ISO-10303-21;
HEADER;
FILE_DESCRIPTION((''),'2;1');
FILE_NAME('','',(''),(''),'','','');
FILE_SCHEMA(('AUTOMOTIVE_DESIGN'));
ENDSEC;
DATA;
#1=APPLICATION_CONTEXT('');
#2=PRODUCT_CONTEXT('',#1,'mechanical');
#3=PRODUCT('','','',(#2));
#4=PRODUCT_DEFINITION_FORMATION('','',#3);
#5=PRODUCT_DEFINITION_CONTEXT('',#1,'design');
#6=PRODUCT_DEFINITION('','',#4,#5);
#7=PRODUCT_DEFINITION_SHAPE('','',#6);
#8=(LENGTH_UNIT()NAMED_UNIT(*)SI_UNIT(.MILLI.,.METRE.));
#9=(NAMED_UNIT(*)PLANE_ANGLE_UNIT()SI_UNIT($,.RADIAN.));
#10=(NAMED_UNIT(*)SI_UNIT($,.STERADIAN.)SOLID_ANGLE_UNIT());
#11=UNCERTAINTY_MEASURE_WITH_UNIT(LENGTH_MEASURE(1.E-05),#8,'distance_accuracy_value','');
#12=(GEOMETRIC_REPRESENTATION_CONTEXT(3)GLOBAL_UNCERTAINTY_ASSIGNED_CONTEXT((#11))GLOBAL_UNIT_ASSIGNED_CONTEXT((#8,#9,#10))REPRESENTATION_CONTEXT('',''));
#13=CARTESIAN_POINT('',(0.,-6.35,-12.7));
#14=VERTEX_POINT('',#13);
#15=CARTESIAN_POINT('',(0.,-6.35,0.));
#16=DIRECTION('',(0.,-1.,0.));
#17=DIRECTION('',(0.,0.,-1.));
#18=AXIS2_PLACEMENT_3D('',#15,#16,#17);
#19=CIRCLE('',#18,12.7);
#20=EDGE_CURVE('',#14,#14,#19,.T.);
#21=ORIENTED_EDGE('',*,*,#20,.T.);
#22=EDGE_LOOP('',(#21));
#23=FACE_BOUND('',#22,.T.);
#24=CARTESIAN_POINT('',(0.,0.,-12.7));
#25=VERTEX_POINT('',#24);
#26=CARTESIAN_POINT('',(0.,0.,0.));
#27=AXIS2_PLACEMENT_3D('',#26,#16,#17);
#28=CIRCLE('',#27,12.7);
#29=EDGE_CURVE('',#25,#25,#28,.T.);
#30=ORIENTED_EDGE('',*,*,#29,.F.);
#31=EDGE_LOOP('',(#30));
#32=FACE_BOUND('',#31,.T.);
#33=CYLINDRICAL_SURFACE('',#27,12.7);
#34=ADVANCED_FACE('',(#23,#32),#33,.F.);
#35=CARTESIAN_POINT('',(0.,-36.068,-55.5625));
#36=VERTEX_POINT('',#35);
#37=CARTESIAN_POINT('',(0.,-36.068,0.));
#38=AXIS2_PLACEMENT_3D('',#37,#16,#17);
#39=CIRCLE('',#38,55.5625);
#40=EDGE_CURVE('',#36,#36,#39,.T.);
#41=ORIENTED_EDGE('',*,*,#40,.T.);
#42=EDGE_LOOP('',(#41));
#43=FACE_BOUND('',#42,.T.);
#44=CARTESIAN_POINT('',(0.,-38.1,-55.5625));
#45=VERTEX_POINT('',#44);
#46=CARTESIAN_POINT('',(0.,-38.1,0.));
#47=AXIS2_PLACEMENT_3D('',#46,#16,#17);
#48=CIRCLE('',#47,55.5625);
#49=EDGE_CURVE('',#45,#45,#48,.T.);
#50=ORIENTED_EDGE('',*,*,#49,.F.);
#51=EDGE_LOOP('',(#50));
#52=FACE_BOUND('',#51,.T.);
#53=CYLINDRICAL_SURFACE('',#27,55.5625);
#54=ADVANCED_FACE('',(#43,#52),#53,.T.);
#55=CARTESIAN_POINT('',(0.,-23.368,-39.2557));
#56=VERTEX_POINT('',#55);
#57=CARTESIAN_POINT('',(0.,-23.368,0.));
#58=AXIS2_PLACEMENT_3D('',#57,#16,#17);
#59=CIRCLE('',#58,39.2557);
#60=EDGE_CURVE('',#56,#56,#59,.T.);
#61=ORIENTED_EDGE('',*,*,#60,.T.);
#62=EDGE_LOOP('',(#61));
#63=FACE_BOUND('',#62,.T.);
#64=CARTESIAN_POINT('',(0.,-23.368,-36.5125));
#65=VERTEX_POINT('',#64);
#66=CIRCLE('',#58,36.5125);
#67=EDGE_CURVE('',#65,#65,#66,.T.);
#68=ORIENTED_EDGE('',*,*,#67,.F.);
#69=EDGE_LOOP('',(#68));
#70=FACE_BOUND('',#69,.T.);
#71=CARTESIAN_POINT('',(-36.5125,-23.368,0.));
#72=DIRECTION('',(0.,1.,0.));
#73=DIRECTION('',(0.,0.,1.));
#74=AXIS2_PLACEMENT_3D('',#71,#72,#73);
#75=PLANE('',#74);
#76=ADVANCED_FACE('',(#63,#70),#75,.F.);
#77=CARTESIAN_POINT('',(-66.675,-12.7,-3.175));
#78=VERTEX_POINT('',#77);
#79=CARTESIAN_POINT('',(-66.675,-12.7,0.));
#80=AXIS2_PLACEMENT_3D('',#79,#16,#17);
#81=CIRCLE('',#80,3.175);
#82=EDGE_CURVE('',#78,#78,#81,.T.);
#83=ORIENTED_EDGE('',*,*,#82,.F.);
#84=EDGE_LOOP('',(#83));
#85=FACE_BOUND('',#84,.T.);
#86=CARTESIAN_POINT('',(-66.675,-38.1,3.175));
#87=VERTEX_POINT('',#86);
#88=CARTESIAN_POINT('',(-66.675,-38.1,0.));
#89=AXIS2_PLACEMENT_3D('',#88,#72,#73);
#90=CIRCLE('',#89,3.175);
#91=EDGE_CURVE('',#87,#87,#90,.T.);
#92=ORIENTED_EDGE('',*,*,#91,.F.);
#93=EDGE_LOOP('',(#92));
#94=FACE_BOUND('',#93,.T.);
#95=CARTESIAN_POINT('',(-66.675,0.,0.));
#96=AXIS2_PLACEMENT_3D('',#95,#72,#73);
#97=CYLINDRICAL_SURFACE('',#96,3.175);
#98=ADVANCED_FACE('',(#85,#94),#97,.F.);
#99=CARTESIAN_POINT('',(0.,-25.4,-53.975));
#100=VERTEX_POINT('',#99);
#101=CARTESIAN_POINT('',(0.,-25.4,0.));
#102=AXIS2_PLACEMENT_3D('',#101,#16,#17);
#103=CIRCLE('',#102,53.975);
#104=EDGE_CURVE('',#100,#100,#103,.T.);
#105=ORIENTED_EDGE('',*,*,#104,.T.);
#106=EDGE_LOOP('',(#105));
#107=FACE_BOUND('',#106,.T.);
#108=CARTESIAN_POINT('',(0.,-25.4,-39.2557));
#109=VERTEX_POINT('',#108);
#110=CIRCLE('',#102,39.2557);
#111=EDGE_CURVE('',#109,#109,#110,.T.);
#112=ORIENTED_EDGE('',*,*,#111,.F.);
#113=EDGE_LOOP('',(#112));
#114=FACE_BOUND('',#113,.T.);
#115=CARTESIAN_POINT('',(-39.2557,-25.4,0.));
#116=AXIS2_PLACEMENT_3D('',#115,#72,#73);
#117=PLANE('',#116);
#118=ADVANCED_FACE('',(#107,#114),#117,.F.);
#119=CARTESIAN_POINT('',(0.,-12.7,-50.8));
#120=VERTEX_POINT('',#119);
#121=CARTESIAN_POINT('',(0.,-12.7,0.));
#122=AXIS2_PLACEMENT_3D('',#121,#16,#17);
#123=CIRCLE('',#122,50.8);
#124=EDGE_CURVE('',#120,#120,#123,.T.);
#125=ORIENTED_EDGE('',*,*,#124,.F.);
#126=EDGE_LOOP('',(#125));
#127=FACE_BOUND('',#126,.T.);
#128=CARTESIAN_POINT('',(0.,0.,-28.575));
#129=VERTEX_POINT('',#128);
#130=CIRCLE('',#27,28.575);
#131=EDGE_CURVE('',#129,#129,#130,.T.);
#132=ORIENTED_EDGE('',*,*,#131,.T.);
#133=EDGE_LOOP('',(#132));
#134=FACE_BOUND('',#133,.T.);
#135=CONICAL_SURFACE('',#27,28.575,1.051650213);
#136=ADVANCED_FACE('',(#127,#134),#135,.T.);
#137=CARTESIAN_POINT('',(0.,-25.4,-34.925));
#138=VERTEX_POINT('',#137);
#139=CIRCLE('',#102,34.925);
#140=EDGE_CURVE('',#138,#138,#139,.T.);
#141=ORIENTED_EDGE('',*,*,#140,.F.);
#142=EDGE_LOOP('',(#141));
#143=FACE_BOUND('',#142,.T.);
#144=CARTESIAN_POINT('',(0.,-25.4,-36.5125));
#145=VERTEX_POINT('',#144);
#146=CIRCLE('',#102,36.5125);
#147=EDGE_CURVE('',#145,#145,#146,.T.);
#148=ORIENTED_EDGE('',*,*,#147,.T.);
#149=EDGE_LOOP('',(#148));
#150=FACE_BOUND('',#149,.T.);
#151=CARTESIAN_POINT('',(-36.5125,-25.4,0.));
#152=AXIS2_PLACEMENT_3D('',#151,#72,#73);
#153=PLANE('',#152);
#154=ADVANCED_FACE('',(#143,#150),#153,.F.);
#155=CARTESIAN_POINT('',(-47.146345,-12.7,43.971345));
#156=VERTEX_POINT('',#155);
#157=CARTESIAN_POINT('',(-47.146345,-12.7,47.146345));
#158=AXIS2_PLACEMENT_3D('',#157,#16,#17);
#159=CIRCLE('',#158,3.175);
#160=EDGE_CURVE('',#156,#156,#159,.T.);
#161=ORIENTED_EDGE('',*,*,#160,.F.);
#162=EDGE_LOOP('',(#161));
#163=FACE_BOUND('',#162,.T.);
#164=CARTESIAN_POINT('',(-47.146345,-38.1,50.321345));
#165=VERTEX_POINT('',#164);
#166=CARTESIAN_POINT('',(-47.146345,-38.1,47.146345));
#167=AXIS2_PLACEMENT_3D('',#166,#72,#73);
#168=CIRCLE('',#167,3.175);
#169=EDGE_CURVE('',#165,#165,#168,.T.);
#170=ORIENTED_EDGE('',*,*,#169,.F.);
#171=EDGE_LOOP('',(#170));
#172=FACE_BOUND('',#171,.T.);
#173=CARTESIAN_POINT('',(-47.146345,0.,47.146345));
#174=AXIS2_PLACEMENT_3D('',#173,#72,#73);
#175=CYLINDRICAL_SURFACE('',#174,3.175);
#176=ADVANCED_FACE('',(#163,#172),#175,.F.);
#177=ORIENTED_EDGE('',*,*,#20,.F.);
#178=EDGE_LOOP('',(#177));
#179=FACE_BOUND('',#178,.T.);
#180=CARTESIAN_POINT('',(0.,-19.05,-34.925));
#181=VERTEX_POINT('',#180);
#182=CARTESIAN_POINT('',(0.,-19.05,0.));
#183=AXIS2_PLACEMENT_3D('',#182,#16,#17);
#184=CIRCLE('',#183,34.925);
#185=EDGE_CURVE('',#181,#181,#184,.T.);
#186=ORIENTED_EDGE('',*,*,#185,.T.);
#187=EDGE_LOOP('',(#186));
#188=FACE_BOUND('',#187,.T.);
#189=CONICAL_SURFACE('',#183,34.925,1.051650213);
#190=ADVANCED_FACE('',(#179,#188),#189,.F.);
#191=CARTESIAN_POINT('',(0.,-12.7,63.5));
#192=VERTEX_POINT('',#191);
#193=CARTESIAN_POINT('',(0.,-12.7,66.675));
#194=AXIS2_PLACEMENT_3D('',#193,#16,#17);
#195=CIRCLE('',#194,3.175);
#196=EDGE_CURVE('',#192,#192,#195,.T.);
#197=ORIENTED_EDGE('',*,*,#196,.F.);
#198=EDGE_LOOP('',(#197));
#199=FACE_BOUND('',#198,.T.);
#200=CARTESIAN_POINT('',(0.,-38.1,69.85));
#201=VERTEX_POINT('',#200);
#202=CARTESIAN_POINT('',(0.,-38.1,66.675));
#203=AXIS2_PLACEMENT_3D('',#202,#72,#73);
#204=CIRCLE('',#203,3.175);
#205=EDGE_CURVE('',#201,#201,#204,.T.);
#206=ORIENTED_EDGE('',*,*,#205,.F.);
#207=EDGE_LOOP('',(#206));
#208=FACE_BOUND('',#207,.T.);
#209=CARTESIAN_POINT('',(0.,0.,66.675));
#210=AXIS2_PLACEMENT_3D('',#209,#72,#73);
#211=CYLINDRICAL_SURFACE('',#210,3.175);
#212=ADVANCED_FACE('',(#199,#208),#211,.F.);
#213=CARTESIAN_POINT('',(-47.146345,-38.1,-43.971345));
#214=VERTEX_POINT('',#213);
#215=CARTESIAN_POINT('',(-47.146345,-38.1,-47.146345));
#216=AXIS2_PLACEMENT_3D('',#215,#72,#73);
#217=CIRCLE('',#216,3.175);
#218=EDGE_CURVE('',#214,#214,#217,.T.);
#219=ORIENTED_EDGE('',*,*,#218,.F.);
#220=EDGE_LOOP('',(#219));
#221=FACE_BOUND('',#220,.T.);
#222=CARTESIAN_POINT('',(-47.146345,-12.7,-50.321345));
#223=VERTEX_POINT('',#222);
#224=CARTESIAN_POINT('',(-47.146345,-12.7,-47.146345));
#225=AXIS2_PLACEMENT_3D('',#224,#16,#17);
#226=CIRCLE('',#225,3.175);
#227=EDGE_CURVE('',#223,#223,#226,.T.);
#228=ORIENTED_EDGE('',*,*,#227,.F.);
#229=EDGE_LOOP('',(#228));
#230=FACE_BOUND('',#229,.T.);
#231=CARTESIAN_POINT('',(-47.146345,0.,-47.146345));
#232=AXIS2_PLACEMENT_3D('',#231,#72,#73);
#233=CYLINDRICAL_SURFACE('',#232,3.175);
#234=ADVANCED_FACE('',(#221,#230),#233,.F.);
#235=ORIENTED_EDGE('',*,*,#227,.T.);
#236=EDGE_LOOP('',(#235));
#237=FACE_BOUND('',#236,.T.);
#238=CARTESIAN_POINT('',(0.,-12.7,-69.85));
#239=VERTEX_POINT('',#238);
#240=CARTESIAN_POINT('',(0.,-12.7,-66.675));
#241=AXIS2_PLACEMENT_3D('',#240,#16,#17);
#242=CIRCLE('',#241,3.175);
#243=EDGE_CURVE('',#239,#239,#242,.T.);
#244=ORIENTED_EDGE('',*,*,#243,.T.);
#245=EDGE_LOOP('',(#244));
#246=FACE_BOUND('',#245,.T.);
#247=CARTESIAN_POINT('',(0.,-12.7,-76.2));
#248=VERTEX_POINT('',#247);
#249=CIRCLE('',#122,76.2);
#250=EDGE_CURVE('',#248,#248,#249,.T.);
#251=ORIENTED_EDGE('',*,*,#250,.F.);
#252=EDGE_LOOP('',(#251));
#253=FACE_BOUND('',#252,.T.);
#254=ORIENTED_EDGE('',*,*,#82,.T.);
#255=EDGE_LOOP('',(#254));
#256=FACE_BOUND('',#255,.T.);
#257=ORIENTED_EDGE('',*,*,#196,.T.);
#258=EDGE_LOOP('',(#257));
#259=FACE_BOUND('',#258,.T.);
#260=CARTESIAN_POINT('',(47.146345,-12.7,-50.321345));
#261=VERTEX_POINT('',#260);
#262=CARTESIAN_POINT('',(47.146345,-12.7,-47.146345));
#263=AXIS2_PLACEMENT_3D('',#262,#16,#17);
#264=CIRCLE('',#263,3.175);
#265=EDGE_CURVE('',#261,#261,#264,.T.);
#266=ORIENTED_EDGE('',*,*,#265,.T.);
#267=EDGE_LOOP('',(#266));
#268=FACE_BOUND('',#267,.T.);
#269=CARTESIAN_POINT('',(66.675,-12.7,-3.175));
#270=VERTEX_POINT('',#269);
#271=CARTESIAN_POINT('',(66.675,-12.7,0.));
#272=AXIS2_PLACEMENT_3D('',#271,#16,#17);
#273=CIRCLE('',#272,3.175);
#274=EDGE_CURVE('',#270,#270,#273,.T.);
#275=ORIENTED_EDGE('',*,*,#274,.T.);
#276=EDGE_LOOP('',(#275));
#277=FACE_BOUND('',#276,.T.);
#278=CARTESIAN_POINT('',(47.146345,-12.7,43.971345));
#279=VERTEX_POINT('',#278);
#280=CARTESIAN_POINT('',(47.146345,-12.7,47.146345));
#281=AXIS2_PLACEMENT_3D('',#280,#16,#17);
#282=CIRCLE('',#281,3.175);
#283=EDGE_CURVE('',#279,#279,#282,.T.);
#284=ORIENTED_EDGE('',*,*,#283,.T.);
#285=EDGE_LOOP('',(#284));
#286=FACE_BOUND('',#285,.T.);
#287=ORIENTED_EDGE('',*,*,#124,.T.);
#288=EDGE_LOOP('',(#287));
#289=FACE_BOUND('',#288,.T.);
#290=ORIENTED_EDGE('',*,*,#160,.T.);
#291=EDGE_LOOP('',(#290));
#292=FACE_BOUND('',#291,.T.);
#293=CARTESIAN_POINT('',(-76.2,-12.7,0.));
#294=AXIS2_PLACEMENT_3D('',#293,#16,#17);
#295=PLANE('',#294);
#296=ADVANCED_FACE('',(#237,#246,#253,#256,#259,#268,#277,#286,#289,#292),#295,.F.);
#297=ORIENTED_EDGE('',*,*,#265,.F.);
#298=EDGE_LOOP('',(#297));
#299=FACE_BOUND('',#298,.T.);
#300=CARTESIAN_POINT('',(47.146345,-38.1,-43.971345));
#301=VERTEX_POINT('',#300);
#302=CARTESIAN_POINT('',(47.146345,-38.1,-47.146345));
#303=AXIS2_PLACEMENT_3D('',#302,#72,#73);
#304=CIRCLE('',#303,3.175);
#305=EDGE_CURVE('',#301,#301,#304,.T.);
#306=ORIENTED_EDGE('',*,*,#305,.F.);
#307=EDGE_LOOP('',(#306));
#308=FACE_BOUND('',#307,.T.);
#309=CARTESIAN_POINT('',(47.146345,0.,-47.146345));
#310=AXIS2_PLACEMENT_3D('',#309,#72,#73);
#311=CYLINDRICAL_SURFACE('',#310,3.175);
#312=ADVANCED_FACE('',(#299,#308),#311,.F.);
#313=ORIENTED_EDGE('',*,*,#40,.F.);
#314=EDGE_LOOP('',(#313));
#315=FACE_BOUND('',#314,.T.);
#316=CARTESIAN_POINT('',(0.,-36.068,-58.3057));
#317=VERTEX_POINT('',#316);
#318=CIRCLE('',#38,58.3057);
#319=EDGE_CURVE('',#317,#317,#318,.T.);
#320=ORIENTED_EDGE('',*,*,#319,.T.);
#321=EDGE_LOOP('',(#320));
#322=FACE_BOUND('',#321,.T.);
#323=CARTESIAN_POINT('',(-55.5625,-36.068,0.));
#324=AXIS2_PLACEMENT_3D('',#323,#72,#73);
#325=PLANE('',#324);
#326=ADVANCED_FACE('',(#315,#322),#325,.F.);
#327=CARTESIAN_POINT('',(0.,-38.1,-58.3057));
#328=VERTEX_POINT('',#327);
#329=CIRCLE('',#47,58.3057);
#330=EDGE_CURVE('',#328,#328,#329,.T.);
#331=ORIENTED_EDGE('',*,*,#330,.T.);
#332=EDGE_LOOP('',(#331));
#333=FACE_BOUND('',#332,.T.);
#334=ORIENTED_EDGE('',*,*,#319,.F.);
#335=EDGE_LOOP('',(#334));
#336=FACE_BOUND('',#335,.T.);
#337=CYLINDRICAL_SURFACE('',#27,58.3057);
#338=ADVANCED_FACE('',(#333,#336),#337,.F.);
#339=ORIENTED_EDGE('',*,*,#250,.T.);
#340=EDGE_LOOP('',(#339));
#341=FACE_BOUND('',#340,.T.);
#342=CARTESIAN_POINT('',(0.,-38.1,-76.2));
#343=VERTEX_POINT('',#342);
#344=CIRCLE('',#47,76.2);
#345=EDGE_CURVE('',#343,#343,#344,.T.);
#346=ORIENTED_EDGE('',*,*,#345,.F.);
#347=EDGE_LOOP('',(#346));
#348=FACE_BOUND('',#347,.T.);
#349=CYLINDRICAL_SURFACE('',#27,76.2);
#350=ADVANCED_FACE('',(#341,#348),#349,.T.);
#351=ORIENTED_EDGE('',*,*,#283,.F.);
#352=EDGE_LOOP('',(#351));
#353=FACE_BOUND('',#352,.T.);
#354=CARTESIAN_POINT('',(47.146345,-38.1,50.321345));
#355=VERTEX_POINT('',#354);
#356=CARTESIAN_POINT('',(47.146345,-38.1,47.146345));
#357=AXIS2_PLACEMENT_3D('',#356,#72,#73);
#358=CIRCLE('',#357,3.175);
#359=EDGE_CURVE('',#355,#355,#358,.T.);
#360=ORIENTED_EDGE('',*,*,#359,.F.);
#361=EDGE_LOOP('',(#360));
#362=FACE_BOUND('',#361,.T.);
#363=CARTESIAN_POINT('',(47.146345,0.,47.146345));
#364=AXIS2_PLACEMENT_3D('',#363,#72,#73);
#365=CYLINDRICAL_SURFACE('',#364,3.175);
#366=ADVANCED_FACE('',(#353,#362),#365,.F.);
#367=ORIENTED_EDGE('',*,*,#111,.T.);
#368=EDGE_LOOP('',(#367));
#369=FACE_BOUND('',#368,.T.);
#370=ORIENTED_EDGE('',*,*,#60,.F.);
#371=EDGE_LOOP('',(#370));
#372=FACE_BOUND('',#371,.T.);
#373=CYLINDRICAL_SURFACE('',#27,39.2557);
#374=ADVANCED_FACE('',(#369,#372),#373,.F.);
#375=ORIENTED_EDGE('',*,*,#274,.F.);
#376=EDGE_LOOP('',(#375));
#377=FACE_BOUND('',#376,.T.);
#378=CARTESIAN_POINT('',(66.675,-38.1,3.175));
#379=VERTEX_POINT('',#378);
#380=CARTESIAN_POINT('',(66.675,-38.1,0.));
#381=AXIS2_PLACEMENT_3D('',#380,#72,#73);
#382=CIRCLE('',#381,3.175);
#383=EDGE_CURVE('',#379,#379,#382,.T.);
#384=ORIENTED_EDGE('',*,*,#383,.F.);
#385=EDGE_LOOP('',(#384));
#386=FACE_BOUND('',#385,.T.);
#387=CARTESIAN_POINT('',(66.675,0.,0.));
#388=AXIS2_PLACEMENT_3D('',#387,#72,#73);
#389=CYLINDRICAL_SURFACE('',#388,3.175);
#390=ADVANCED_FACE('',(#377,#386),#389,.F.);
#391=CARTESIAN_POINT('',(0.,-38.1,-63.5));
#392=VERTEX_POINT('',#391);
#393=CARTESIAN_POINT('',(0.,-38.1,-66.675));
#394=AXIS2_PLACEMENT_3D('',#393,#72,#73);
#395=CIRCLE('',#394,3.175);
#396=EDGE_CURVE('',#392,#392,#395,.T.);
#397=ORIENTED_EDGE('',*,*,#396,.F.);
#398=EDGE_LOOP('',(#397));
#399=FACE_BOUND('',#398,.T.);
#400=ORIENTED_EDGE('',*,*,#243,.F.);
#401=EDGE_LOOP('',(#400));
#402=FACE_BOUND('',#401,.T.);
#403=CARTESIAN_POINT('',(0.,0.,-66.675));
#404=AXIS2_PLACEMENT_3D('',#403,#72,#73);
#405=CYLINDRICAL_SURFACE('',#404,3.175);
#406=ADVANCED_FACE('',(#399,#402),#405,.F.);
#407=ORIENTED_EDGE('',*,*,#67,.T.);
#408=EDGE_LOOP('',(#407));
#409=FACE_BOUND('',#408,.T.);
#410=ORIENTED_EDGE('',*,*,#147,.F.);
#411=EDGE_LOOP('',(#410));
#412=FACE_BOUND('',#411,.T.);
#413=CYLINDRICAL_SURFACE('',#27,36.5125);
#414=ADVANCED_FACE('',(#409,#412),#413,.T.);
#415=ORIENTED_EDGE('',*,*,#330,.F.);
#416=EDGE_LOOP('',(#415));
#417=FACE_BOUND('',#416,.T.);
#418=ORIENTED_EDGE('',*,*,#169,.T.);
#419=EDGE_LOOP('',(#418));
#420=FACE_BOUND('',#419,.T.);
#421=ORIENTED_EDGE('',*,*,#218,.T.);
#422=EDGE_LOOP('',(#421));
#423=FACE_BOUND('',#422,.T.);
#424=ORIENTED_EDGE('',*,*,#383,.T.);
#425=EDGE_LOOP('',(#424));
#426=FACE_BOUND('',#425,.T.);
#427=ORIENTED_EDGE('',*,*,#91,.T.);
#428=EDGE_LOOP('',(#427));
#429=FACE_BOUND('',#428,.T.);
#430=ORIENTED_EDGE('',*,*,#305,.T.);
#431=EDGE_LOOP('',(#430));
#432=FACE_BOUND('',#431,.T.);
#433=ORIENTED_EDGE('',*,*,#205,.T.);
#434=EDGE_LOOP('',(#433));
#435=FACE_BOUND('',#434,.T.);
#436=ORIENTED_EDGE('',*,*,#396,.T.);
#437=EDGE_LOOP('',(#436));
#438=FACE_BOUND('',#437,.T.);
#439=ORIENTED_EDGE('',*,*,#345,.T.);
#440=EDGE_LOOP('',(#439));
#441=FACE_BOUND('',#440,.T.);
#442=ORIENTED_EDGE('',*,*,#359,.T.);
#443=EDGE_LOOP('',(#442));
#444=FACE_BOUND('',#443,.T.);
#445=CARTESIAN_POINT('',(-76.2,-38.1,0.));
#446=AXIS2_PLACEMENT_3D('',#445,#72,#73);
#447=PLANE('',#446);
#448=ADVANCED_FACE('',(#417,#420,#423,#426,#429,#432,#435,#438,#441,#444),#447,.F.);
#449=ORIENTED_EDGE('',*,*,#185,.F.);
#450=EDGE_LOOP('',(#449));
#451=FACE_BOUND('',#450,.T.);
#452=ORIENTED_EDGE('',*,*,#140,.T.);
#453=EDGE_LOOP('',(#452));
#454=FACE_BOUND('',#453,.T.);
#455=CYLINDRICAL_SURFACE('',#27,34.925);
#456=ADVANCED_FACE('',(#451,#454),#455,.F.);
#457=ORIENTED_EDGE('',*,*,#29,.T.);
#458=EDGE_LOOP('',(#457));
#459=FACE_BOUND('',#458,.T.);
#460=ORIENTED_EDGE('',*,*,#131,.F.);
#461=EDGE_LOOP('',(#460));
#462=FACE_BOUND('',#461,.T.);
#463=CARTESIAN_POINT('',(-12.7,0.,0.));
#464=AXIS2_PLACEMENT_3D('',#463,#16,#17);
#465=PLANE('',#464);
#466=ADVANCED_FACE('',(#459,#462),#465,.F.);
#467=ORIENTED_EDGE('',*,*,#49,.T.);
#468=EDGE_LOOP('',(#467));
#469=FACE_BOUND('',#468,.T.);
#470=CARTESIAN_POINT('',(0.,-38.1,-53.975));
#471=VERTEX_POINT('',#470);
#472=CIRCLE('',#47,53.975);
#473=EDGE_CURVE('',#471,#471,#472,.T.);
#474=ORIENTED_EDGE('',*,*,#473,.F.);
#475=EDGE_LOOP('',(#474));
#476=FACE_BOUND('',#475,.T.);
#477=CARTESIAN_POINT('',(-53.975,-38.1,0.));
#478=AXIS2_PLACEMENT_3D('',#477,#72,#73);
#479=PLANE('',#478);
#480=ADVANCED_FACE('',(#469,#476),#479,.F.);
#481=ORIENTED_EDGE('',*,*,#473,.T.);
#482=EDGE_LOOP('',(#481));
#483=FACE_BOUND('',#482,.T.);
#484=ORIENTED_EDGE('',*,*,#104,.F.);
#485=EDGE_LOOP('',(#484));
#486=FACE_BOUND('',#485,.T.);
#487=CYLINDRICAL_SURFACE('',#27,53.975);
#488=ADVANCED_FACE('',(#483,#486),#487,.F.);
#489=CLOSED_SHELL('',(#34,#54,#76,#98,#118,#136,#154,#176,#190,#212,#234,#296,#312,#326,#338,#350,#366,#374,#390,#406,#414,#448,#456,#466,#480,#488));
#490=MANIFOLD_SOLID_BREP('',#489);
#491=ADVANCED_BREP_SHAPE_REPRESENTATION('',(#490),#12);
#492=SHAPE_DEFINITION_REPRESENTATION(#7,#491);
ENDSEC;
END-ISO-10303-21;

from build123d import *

# Parameters (mm, degrees)
F_1_4_0_25_DIAMETER_HOLE1_D = 6.35
CIRPATTERN1_COUNT           = 8


with BuildPart() as part:
    # Sketch1 → Revolve1 (revolve)
    with BuildSketch(Plane.XY):
        Polygon((-12.7, 0), (-28.575, 0), (-50.8, -12.7), (-76.2, -12.7), (-76.2, -38.1), (-58.3057, -38.1), (-58.3057, -36.068), (-55.5625, -36.068), (-55.5625, -38.1), (-53.975, -38.1), (-53.975, -25.4), (-39.2557, -25.4), (-39.2557, -23.368), (-36.5125, -23.368), (-36.5125, -25.4), (-34.925, -25.4), (-34.925, -19.05), (-12.7, -6.35), align=None)
    revolve(axis=Axis((0, 0, 0), (0, 1, 0)))

    # 1/4 (0.25) Diameter Hole1 (through all)
    with Locations(Plane(origin=(-66.675, 0, 0), x_dir=(0, 0, 1), z_dir=(0, 1, 0))):
        with Locations((0, 0)):
            f_1_4_0_25_diameter_hole1 = Hole(F_1_4_0_25_DIAMETER_HOLE1_D / 2)

    # CirPattern1: 1/4 (0.25) Diameter Hole1 ×8 about axis
    cirpattern1_axis = Axis((0, 35.95, 0), (0, -1, 0))
    for i in range(1, CIRPATTERN1_COUNT):
        add(f_1_4_0_25_diameter_hole1.rotate(cirpattern1_axis, i * 360 / CIRPATTERN1_COUNT), mode=Mode.SUBTRACT)


solid = part.part
